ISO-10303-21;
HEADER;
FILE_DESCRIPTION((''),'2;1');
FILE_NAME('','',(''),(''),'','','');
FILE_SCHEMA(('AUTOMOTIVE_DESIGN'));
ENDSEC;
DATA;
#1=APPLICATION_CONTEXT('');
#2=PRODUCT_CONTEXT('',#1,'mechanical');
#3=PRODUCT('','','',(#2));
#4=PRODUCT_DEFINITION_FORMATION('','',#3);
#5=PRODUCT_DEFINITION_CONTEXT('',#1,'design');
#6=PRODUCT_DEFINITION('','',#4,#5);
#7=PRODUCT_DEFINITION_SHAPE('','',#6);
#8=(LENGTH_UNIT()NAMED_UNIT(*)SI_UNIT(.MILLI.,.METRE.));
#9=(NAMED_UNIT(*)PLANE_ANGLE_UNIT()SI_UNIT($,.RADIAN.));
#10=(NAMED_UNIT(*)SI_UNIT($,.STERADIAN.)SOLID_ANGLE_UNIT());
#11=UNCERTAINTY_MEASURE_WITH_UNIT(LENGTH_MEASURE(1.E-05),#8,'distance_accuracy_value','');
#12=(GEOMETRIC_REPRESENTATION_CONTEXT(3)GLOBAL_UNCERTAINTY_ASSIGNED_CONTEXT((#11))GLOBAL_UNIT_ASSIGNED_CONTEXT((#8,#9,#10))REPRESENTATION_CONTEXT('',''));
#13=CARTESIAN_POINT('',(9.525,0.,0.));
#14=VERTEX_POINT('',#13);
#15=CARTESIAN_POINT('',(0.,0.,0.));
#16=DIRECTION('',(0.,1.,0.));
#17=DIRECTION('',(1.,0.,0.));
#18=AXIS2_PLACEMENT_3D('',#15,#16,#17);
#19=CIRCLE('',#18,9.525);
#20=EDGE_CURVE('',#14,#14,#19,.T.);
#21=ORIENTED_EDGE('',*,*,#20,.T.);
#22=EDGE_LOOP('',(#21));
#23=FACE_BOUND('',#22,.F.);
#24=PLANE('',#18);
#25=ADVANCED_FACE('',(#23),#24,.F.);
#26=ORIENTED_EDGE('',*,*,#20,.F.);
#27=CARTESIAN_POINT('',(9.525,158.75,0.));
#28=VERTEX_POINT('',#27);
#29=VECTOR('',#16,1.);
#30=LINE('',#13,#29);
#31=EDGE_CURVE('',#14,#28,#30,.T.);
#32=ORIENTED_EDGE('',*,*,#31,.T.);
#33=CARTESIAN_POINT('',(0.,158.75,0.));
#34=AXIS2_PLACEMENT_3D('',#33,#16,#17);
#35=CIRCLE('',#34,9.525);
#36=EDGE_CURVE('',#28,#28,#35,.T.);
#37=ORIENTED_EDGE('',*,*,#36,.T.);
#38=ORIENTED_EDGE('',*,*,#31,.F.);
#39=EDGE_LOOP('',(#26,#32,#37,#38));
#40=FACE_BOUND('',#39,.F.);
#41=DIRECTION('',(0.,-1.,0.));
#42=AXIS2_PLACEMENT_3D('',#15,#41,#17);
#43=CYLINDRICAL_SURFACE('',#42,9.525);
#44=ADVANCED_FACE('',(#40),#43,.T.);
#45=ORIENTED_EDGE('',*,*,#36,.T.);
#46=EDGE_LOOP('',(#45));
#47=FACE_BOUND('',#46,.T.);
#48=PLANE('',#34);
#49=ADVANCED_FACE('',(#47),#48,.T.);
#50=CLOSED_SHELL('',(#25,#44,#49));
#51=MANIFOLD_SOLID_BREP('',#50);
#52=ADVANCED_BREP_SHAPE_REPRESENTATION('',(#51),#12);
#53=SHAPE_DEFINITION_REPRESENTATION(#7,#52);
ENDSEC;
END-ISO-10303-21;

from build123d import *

# Parameters (mm, degrees)
SKETCH1_R           = 9.525
BOSS_EXTRUDE1_DEPTH = 158.75


with BuildPart() as part:
    # Sketch1 → Boss-Extrude1 (new body)
    with BuildSketch(Plane(origin=(0, 0, 0), x_dir=(1, 0, 0), z_dir=(0, 1, 0))):
        Circle(SKETCH1_R)
    extrude(amount=BOSS_EXTRUDE1_DEPTH)


solid = part.part
